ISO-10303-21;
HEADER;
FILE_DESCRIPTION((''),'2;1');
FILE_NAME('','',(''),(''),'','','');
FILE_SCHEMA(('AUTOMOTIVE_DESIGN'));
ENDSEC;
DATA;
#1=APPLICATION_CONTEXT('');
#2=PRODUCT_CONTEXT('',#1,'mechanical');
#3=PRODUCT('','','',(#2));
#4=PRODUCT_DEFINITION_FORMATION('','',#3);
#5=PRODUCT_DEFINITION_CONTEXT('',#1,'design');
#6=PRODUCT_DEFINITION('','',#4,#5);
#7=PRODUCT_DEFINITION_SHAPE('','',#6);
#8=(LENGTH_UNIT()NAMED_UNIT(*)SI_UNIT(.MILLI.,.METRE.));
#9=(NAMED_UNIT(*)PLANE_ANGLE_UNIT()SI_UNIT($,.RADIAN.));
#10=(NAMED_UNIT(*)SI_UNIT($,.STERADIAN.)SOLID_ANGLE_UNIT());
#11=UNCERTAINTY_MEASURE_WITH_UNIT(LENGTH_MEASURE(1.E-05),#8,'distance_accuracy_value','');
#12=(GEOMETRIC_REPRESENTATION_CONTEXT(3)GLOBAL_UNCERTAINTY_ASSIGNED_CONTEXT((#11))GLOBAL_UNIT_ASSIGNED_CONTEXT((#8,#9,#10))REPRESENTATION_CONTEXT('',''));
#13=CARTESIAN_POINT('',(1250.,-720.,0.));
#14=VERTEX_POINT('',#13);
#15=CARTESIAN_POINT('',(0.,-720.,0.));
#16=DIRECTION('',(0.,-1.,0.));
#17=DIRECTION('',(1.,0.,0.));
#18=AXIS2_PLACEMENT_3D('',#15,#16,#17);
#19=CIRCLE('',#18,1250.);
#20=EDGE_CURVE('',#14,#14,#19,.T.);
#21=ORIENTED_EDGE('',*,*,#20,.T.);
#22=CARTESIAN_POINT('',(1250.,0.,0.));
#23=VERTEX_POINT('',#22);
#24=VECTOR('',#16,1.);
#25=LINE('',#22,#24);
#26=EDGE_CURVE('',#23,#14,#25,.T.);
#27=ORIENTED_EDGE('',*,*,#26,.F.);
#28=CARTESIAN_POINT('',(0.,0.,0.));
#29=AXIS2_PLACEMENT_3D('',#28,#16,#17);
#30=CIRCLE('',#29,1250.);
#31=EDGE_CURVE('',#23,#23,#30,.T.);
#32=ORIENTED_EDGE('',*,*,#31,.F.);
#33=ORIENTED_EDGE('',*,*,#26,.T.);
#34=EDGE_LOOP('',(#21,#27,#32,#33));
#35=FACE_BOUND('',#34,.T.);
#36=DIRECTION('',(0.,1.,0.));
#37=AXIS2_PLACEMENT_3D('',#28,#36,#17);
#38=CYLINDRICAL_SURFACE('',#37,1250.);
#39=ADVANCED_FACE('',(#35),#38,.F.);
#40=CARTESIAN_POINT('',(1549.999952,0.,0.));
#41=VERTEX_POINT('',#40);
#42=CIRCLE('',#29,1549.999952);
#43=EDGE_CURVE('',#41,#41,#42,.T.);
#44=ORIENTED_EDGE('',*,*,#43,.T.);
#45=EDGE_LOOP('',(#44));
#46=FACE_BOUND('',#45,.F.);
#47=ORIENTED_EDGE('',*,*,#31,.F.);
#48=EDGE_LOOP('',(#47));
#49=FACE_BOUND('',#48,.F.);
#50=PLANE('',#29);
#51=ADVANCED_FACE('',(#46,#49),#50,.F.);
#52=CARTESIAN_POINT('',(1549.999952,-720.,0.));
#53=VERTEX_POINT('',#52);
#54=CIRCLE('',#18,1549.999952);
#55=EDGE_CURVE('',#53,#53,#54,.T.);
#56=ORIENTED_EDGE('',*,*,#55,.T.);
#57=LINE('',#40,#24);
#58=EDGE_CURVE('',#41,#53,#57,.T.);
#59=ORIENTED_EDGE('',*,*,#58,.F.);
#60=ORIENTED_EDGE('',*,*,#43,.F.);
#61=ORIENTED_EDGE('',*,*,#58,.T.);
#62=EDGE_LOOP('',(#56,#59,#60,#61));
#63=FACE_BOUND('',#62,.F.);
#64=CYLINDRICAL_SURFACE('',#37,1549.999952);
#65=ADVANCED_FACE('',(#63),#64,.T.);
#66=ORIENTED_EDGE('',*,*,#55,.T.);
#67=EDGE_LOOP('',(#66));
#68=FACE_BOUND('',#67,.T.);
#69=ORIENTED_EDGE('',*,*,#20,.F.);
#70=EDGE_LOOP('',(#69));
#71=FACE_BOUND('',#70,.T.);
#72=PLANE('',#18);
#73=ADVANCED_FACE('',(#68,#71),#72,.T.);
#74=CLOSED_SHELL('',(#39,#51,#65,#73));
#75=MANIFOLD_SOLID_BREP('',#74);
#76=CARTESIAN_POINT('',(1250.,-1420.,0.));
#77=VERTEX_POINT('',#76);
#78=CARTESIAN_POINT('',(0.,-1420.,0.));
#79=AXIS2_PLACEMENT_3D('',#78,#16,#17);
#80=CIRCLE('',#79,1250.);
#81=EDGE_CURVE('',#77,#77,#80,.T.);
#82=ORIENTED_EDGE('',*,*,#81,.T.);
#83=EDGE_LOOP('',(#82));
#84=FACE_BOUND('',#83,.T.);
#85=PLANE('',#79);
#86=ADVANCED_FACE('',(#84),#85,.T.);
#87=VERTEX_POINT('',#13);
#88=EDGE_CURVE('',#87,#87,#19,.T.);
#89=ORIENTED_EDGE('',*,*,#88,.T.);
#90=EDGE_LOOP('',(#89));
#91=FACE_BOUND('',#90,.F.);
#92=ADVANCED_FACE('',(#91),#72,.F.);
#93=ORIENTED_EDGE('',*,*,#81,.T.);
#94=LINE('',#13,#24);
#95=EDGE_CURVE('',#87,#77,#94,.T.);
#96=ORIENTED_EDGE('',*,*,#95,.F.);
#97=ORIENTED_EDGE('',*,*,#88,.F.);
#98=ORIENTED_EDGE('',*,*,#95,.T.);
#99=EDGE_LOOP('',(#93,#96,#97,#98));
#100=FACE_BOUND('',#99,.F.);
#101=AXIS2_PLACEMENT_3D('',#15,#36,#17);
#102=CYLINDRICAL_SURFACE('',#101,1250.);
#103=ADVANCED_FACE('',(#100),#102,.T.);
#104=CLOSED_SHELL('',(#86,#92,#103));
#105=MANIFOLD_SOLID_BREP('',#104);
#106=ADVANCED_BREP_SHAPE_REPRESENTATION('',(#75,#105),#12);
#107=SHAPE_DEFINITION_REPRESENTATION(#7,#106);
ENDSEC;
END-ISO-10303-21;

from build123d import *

# Parameters (mm, degrees)
F0_R     = 1549.999952
F0_R_2   = 1250
F1_DEPTH = 720
F2_R     = 1250
F3_DEPTH = 700


with BuildPart() as f1:
    # F0 (on Front) → F1 (new body)
    with BuildSketch(Plane.XZ):
        Circle(F0_R)
        Circle(F0_R_2, mode=Mode.SUBTRACT)
    extrude(amount=F1_DEPTH)


with BuildPart() as f3:
    # F2 (on face) → F3 (new body)
    with BuildSketch(Plane.XZ.offset(720)):
        Circle(F2_R)
    extrude(amount=F3_DEPTH)


solid = Compound([f1.part, f3.part])
